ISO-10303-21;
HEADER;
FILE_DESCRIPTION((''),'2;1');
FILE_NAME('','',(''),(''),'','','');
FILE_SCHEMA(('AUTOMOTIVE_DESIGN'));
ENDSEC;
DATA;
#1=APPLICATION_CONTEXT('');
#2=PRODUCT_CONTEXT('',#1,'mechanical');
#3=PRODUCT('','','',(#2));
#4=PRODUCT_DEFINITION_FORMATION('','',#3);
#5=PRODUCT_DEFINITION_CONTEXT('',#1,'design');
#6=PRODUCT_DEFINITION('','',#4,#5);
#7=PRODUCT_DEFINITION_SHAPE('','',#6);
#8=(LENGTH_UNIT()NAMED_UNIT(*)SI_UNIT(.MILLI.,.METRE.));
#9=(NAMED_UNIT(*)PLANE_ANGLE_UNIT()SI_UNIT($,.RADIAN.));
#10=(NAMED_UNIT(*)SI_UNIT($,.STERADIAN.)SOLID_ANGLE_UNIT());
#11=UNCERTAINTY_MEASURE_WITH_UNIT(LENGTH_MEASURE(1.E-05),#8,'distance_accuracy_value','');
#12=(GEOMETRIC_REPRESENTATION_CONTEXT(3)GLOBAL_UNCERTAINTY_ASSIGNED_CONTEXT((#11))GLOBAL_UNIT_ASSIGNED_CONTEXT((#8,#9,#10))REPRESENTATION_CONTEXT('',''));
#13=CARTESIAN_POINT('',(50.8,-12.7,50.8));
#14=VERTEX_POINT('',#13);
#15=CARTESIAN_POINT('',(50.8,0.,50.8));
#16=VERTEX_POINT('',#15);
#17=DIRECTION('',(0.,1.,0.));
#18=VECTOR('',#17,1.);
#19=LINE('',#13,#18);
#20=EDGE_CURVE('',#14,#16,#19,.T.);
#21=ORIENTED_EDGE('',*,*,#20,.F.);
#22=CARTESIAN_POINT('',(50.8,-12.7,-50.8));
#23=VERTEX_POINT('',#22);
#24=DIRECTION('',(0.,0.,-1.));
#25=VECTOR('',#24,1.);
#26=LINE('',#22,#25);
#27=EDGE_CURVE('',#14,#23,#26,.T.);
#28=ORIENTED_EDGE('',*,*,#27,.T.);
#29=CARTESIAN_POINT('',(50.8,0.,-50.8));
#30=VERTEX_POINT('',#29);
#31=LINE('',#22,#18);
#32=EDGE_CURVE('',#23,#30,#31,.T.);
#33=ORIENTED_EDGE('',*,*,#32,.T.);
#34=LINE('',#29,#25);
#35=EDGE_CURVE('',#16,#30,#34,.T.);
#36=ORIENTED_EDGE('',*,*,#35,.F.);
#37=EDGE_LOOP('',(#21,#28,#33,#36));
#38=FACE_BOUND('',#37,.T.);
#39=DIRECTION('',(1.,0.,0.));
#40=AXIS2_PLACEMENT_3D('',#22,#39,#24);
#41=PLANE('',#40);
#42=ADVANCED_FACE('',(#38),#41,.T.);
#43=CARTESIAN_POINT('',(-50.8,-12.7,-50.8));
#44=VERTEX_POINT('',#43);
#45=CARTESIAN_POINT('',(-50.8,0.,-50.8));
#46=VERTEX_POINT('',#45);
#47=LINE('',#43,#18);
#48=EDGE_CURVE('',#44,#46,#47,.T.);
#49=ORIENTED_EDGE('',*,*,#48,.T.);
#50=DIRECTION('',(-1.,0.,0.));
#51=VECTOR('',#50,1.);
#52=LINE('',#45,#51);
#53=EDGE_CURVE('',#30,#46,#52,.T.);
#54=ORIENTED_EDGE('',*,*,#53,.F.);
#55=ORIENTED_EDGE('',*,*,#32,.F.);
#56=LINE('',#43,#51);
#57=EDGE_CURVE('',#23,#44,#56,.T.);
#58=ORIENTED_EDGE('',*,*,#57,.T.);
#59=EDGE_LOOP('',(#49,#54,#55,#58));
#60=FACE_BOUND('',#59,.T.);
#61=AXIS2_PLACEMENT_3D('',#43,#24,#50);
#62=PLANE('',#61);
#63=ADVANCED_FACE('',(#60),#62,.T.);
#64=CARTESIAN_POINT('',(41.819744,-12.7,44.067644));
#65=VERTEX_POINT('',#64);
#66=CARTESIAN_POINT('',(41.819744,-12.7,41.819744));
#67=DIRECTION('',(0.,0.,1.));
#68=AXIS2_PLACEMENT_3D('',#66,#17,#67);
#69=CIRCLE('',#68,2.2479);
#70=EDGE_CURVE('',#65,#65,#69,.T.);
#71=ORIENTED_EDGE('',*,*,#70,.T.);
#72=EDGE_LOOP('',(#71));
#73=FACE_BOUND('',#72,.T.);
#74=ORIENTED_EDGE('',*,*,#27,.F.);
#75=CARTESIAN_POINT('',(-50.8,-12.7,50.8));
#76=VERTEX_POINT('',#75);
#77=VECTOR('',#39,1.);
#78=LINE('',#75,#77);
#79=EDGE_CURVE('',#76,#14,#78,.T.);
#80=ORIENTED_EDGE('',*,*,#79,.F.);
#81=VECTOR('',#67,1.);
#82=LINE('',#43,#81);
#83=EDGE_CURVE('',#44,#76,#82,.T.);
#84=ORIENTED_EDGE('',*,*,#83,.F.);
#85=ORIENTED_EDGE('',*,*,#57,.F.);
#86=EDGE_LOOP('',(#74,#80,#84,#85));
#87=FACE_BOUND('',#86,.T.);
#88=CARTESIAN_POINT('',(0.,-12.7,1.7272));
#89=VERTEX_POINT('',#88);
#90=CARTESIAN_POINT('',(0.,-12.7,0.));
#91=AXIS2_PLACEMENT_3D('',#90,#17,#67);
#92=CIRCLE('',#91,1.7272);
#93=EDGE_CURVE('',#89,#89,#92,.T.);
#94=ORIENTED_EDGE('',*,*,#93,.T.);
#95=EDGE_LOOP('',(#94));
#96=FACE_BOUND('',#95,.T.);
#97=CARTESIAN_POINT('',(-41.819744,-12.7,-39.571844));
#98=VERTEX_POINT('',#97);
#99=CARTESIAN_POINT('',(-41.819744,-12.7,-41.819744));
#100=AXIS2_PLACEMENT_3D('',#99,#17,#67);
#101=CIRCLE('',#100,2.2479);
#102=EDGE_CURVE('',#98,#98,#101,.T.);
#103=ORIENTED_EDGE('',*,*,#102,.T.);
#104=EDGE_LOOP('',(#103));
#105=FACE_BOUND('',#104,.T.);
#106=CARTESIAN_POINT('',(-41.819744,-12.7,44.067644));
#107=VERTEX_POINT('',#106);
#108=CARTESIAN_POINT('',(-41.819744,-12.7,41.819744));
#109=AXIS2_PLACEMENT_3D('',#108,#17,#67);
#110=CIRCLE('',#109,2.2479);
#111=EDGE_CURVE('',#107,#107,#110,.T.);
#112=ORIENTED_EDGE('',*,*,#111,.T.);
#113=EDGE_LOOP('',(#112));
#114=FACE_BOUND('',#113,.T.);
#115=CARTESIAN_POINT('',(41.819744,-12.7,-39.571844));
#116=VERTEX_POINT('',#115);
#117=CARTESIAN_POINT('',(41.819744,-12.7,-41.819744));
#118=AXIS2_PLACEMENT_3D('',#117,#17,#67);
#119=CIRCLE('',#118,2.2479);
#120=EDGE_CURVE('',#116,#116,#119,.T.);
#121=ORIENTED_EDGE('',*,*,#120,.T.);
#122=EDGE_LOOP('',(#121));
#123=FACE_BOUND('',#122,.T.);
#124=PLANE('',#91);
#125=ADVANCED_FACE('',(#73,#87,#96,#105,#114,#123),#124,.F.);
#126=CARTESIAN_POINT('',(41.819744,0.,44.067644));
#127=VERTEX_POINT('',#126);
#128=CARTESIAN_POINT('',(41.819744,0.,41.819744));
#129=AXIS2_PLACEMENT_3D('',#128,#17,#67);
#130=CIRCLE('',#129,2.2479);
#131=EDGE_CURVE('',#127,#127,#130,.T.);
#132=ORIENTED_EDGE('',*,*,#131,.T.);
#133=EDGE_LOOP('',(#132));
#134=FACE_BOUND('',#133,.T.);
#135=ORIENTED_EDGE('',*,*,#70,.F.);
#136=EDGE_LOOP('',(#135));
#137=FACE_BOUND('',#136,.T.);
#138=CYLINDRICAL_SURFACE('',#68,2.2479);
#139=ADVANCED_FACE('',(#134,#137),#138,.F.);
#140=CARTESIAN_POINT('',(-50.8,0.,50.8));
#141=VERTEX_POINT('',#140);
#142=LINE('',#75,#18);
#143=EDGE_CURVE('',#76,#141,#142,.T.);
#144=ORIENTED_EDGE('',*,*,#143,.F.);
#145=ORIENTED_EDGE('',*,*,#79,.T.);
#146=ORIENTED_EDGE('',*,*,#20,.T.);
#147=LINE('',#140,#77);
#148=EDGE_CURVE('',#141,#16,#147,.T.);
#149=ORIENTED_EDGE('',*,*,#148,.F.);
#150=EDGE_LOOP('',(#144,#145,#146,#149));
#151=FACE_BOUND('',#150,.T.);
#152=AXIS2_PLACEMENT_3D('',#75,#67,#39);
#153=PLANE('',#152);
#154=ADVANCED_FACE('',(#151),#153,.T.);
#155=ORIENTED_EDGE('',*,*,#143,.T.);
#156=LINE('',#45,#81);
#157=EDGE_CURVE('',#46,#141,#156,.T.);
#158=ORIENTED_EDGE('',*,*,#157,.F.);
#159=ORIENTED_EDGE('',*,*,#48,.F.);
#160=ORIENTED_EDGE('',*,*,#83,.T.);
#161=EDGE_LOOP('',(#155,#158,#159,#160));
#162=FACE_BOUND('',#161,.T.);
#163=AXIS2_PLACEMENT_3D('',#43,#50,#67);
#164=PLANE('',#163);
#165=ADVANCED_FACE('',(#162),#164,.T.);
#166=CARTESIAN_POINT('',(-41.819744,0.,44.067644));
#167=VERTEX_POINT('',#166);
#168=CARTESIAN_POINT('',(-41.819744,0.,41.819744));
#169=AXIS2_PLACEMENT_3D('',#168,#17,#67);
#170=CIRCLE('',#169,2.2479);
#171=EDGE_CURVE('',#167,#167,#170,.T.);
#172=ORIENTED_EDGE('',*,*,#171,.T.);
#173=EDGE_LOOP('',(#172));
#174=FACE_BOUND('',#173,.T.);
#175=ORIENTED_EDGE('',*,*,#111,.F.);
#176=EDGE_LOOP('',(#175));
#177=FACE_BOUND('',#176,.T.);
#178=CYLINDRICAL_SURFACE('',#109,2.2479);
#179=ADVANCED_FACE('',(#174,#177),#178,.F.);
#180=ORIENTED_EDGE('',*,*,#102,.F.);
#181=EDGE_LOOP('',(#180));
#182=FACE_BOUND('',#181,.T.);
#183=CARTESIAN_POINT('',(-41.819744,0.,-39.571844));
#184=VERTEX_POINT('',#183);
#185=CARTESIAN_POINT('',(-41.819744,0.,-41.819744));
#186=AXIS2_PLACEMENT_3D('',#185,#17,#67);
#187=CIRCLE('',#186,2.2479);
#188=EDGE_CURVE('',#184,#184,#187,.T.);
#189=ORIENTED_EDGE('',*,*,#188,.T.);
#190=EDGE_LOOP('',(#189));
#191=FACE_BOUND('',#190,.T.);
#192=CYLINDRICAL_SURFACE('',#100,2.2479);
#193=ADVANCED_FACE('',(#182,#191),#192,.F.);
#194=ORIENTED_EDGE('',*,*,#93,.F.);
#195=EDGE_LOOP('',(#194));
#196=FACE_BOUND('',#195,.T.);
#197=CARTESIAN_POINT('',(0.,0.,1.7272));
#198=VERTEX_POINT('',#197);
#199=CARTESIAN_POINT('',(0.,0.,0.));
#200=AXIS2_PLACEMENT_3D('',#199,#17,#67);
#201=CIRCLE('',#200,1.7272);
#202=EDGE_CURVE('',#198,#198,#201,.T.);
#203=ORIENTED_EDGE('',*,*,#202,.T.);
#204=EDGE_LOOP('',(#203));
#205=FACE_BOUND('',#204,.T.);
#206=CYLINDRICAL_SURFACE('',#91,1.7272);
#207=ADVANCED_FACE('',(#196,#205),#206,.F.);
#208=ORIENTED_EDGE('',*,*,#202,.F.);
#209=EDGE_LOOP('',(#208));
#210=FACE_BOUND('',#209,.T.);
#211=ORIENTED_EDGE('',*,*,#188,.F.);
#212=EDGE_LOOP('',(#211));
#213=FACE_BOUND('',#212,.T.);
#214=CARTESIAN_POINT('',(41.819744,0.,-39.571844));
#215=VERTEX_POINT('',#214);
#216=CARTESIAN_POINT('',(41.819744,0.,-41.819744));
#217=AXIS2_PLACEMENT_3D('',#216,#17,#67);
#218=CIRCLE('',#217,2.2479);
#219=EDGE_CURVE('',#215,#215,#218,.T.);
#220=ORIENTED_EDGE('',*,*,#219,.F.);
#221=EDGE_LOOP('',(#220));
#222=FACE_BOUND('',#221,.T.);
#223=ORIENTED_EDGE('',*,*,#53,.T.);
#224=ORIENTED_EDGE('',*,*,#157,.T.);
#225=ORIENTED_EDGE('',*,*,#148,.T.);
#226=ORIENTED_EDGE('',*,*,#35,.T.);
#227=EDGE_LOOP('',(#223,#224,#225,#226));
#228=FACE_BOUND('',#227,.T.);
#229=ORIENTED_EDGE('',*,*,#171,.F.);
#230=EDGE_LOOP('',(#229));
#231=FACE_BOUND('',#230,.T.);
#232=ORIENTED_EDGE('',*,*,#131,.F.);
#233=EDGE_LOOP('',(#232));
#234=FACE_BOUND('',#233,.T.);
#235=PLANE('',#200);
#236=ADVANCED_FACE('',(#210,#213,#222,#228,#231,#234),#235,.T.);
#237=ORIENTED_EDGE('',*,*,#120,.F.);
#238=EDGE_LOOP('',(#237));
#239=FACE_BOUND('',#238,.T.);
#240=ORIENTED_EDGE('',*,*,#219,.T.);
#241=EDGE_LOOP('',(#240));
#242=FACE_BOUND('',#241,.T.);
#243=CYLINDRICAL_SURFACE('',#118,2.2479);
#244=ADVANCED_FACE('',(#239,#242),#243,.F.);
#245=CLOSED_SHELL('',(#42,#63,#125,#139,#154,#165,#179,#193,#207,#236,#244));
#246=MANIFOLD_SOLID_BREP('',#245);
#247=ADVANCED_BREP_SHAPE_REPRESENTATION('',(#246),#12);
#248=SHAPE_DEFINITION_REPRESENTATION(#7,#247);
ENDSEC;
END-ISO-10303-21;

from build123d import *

# Parameters (mm, degrees)
SKETCH1_W           = 101.6
SKETCH1_H           = 101.6
BOSS_EXTRUDE1_DEPTH = 12.7
SKETCH3_R           = 2.2479
SKETCH3_R_2         = 1.7272
CUT_EXTRUDE1_DEPTH  = 73.955945611


with BuildPart() as part:
    # Sketch1 → Boss-Extrude1 (new body)
    with BuildSketch(Plane(origin=(0, 0, 0), x_dir=(1, 0, 0), z_dir=(0, 1, 0))):
        Rectangle(SKETCH1_W, SKETCH1_H)
    extrude(amount=-BOSS_EXTRUDE1_DEPTH)

    # Sketch3 → Cut-Extrude1 (cut, through all)
    with BuildSketch(Plane(origin=(0, 0, 0), x_dir=(1, 0, 0), z_dir=(0, 1, 0))):
        with Locations(Location((-41.819743879, 41.819743879, 0), (0, 0, 270))):
            Circle(SKETCH3_R)
        with Locations(Location((41.819743879, 41.819743879, 0), (0, 0, 270))):
            Circle(SKETCH3_R)
        with Locations(Location((41.819743879, -41.819743879, 0), (0, 0, 270))):
            Circle(SKETCH3_R)
        with Locations(Location((-41.819743879, -41.819743879, 0), (0, 0, 270))):
            Circle(SKETCH3_R)
        with Locations(Location((0, 0, 0), (0, 0, 270))):
            Circle(SKETCH3_R_2)
    extrude(amount=-CUT_EXTRUDE1_DEPTH, mode=Mode.SUBTRACT)


solid = part.part
